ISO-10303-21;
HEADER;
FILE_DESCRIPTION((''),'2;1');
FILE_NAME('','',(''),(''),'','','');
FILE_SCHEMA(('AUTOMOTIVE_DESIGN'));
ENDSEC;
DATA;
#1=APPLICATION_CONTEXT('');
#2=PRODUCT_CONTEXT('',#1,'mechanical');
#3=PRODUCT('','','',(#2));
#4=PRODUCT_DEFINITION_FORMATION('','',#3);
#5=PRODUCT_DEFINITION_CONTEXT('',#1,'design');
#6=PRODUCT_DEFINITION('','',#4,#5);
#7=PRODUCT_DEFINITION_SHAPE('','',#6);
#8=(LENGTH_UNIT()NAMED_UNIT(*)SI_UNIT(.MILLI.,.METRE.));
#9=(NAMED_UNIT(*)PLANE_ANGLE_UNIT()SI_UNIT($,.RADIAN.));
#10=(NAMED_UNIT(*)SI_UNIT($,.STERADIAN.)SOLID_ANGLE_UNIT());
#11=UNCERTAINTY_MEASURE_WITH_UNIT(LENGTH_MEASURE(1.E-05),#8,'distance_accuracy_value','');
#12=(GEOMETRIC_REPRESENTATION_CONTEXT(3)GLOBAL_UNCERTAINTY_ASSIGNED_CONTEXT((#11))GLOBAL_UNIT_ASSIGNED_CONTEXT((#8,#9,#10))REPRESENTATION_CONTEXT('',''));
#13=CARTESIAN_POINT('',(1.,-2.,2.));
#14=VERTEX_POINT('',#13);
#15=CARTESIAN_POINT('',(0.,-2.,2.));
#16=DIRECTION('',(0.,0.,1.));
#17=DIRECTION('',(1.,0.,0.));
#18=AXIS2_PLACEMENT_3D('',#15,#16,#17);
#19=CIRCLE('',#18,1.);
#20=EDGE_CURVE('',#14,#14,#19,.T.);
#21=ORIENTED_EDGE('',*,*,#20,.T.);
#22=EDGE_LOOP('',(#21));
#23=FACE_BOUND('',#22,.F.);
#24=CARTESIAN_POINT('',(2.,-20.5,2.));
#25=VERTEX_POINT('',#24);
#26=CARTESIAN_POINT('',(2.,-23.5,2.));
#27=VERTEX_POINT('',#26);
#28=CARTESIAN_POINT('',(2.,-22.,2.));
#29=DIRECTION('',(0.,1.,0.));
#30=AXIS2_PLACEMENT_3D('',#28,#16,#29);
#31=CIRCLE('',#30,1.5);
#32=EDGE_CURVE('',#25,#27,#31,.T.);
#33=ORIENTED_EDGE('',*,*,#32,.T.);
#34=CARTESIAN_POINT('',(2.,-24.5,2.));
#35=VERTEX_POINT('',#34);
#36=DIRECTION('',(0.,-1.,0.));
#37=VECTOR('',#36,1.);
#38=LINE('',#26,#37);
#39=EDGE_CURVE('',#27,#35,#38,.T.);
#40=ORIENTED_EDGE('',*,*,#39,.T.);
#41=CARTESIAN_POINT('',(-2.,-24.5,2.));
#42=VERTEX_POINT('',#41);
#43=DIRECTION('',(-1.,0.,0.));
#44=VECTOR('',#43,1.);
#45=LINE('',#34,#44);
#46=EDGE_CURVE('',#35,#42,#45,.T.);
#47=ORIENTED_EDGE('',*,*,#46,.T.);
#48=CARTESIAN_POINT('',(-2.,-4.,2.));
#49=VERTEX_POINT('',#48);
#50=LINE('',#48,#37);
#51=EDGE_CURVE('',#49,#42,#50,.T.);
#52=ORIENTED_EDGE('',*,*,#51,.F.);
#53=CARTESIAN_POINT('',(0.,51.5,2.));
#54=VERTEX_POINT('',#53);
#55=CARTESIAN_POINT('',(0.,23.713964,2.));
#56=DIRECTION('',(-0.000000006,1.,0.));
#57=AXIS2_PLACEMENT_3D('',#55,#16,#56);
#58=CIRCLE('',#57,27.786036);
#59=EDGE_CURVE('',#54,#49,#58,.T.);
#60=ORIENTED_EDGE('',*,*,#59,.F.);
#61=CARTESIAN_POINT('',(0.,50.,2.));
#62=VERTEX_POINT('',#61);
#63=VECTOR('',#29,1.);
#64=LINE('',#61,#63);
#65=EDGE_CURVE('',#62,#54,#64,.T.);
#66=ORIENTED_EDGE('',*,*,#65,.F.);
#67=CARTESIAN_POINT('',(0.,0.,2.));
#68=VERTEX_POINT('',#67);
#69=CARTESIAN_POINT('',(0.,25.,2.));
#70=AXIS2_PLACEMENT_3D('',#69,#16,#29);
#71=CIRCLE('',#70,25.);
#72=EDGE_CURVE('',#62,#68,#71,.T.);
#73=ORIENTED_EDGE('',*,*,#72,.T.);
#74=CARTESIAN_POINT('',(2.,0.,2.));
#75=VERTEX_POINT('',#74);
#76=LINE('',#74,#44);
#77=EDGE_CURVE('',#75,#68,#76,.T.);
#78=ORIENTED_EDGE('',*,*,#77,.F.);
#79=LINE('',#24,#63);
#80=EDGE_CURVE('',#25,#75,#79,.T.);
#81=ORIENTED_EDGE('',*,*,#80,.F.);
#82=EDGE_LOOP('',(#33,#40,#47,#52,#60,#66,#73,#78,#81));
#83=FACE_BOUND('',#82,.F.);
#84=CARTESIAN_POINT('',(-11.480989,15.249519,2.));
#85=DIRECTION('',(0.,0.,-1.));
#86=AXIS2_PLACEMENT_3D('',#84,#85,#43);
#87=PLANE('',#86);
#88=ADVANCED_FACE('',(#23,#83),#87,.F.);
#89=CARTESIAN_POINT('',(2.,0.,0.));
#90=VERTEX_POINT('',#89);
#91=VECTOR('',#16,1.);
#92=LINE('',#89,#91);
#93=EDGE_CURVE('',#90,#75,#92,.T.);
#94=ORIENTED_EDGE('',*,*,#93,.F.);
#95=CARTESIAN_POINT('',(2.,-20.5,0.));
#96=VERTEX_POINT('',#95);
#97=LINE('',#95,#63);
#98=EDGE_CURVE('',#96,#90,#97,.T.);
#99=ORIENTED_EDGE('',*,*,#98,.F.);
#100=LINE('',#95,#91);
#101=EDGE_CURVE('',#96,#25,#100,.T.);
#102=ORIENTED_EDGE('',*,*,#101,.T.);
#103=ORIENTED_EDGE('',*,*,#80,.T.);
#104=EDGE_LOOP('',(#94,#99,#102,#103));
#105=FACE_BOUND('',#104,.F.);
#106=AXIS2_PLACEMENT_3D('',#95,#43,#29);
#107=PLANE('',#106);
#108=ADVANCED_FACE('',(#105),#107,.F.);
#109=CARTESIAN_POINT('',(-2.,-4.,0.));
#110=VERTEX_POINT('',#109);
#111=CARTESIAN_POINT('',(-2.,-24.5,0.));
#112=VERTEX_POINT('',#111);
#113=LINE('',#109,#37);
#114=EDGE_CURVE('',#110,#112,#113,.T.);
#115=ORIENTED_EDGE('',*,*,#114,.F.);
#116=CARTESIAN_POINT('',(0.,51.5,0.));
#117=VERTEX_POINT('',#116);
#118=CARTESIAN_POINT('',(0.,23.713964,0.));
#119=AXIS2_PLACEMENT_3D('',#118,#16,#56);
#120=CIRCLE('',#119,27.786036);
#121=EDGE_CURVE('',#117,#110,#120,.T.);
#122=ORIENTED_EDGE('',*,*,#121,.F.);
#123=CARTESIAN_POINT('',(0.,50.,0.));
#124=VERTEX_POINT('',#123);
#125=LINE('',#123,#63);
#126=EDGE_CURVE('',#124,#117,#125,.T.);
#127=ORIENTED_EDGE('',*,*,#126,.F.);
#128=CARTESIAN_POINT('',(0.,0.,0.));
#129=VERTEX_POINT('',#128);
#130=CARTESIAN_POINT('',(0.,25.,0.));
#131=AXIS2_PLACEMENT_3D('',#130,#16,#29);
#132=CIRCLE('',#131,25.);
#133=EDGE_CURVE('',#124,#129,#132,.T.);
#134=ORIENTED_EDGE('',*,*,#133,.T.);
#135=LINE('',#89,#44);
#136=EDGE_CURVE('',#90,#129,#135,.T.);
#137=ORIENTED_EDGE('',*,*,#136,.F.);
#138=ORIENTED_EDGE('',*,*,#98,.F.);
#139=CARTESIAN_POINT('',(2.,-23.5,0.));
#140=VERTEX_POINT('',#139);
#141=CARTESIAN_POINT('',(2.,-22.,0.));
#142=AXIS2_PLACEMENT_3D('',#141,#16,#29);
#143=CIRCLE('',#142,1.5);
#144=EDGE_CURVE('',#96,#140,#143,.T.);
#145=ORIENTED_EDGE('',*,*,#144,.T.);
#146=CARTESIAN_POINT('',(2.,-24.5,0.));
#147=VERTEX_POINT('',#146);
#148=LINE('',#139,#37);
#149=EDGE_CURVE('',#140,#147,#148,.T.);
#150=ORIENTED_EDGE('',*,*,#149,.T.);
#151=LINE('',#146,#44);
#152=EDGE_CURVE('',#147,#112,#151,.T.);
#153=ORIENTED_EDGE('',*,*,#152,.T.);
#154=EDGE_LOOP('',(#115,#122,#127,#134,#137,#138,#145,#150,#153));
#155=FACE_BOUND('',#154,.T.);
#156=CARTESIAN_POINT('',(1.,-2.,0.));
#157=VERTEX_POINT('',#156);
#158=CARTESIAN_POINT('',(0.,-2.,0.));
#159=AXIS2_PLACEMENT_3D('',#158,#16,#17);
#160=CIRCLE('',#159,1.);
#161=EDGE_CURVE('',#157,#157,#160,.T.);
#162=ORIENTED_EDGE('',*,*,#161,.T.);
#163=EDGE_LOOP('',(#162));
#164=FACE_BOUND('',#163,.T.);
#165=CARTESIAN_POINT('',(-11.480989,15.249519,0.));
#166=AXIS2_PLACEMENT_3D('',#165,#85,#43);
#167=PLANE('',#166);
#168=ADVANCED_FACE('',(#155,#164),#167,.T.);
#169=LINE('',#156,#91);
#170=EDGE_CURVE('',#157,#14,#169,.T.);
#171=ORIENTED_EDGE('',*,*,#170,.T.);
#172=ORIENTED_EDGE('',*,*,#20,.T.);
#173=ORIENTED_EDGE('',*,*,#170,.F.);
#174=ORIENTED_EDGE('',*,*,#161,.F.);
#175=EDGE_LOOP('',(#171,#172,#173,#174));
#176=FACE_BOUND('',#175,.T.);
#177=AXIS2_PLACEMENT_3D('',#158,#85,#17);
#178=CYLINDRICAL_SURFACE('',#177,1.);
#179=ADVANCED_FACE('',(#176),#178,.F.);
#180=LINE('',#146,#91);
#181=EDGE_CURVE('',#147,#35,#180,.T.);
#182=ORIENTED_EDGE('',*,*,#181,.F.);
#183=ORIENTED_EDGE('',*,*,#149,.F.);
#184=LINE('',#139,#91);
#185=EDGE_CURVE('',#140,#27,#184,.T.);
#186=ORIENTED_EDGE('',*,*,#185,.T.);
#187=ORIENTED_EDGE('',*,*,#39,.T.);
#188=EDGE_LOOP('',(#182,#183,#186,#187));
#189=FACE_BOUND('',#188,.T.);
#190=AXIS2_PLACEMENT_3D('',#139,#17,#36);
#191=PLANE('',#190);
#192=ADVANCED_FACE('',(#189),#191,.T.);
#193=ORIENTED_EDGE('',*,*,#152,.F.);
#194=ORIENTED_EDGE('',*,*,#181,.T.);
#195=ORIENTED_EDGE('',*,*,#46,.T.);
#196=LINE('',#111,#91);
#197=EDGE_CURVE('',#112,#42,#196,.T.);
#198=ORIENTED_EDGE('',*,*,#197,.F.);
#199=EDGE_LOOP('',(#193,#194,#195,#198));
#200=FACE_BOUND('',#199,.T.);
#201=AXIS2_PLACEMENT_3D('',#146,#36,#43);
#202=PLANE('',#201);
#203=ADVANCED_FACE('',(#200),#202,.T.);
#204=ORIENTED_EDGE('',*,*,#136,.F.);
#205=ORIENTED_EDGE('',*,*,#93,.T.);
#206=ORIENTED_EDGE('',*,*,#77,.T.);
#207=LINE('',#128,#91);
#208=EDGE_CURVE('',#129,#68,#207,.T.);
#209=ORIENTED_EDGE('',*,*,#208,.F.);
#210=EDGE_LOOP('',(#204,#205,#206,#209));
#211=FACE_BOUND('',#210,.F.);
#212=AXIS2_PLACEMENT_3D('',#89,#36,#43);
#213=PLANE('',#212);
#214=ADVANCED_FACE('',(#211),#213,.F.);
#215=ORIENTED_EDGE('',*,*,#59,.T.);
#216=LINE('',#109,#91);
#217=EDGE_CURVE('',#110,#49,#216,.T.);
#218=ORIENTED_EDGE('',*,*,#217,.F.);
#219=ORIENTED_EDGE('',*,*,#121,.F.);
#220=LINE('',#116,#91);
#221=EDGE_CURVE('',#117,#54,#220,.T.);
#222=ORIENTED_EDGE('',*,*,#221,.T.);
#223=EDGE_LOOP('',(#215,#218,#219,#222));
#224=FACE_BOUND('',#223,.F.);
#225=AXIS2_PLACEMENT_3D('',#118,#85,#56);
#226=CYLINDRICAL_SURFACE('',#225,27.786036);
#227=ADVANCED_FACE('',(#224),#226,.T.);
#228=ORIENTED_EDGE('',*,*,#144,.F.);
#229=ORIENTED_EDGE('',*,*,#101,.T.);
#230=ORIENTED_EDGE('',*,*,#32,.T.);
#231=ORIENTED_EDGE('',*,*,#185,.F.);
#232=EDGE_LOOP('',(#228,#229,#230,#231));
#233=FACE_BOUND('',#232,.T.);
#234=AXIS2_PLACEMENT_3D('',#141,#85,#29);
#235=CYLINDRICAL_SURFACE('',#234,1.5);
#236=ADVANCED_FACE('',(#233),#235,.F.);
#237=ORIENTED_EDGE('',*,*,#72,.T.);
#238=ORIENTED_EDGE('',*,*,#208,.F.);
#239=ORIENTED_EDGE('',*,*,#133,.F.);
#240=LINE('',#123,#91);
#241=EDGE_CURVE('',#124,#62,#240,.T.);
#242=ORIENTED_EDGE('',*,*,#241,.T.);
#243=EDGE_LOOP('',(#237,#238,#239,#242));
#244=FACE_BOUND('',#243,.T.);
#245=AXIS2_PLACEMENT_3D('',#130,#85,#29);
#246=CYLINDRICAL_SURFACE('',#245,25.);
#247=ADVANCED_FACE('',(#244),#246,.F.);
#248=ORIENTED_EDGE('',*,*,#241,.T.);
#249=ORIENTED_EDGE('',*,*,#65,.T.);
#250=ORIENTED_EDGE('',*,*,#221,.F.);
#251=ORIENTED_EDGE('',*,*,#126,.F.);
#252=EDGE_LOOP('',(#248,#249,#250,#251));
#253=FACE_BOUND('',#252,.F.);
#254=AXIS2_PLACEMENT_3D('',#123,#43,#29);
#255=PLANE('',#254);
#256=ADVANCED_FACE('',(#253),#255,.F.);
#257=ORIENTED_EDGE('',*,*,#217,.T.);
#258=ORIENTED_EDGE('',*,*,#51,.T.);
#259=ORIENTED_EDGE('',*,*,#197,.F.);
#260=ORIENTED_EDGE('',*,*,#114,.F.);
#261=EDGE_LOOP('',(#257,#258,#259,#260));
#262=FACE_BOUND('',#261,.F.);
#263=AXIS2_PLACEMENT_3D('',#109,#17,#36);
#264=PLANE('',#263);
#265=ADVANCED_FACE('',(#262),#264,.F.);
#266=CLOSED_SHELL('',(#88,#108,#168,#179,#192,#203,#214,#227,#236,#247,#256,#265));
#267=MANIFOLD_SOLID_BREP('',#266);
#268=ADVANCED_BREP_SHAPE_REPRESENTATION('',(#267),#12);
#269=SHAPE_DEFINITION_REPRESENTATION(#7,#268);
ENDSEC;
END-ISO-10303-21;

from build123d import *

# Parameters (mm, degrees)
SKETCH_R  = 1
PAD_DEPTH = 2


with BuildPart() as part:
    # Sketch → Pad (new body)
    with BuildSketch(Plane.XY):
        with BuildLine():
            ThreePointArc((0, 50), (-25, 25), (0, 0))
            Line((2, 0), (0, 0))
            Line((2, -20.5), (2, 0))
            ThreePointArc((2, -20.5), (0.5, -22), (2, -23.5))
            Line((2, -23.5), (2, -24.5))
            Line((2, -24.5), (-2, -24.5))
            Line((-2, -4), (-2, -24.5))
            ThreePointArc((0, 51.5), (-27.768012, 24.714613), (-2, -4))
            Line((0, 50), (0, 51.5))
        make_face()
        with Locations((0, -2)):
            Circle(SKETCH_R, mode=Mode.SUBTRACT)
    extrude(amount=PAD_DEPTH)


solid = part.part
